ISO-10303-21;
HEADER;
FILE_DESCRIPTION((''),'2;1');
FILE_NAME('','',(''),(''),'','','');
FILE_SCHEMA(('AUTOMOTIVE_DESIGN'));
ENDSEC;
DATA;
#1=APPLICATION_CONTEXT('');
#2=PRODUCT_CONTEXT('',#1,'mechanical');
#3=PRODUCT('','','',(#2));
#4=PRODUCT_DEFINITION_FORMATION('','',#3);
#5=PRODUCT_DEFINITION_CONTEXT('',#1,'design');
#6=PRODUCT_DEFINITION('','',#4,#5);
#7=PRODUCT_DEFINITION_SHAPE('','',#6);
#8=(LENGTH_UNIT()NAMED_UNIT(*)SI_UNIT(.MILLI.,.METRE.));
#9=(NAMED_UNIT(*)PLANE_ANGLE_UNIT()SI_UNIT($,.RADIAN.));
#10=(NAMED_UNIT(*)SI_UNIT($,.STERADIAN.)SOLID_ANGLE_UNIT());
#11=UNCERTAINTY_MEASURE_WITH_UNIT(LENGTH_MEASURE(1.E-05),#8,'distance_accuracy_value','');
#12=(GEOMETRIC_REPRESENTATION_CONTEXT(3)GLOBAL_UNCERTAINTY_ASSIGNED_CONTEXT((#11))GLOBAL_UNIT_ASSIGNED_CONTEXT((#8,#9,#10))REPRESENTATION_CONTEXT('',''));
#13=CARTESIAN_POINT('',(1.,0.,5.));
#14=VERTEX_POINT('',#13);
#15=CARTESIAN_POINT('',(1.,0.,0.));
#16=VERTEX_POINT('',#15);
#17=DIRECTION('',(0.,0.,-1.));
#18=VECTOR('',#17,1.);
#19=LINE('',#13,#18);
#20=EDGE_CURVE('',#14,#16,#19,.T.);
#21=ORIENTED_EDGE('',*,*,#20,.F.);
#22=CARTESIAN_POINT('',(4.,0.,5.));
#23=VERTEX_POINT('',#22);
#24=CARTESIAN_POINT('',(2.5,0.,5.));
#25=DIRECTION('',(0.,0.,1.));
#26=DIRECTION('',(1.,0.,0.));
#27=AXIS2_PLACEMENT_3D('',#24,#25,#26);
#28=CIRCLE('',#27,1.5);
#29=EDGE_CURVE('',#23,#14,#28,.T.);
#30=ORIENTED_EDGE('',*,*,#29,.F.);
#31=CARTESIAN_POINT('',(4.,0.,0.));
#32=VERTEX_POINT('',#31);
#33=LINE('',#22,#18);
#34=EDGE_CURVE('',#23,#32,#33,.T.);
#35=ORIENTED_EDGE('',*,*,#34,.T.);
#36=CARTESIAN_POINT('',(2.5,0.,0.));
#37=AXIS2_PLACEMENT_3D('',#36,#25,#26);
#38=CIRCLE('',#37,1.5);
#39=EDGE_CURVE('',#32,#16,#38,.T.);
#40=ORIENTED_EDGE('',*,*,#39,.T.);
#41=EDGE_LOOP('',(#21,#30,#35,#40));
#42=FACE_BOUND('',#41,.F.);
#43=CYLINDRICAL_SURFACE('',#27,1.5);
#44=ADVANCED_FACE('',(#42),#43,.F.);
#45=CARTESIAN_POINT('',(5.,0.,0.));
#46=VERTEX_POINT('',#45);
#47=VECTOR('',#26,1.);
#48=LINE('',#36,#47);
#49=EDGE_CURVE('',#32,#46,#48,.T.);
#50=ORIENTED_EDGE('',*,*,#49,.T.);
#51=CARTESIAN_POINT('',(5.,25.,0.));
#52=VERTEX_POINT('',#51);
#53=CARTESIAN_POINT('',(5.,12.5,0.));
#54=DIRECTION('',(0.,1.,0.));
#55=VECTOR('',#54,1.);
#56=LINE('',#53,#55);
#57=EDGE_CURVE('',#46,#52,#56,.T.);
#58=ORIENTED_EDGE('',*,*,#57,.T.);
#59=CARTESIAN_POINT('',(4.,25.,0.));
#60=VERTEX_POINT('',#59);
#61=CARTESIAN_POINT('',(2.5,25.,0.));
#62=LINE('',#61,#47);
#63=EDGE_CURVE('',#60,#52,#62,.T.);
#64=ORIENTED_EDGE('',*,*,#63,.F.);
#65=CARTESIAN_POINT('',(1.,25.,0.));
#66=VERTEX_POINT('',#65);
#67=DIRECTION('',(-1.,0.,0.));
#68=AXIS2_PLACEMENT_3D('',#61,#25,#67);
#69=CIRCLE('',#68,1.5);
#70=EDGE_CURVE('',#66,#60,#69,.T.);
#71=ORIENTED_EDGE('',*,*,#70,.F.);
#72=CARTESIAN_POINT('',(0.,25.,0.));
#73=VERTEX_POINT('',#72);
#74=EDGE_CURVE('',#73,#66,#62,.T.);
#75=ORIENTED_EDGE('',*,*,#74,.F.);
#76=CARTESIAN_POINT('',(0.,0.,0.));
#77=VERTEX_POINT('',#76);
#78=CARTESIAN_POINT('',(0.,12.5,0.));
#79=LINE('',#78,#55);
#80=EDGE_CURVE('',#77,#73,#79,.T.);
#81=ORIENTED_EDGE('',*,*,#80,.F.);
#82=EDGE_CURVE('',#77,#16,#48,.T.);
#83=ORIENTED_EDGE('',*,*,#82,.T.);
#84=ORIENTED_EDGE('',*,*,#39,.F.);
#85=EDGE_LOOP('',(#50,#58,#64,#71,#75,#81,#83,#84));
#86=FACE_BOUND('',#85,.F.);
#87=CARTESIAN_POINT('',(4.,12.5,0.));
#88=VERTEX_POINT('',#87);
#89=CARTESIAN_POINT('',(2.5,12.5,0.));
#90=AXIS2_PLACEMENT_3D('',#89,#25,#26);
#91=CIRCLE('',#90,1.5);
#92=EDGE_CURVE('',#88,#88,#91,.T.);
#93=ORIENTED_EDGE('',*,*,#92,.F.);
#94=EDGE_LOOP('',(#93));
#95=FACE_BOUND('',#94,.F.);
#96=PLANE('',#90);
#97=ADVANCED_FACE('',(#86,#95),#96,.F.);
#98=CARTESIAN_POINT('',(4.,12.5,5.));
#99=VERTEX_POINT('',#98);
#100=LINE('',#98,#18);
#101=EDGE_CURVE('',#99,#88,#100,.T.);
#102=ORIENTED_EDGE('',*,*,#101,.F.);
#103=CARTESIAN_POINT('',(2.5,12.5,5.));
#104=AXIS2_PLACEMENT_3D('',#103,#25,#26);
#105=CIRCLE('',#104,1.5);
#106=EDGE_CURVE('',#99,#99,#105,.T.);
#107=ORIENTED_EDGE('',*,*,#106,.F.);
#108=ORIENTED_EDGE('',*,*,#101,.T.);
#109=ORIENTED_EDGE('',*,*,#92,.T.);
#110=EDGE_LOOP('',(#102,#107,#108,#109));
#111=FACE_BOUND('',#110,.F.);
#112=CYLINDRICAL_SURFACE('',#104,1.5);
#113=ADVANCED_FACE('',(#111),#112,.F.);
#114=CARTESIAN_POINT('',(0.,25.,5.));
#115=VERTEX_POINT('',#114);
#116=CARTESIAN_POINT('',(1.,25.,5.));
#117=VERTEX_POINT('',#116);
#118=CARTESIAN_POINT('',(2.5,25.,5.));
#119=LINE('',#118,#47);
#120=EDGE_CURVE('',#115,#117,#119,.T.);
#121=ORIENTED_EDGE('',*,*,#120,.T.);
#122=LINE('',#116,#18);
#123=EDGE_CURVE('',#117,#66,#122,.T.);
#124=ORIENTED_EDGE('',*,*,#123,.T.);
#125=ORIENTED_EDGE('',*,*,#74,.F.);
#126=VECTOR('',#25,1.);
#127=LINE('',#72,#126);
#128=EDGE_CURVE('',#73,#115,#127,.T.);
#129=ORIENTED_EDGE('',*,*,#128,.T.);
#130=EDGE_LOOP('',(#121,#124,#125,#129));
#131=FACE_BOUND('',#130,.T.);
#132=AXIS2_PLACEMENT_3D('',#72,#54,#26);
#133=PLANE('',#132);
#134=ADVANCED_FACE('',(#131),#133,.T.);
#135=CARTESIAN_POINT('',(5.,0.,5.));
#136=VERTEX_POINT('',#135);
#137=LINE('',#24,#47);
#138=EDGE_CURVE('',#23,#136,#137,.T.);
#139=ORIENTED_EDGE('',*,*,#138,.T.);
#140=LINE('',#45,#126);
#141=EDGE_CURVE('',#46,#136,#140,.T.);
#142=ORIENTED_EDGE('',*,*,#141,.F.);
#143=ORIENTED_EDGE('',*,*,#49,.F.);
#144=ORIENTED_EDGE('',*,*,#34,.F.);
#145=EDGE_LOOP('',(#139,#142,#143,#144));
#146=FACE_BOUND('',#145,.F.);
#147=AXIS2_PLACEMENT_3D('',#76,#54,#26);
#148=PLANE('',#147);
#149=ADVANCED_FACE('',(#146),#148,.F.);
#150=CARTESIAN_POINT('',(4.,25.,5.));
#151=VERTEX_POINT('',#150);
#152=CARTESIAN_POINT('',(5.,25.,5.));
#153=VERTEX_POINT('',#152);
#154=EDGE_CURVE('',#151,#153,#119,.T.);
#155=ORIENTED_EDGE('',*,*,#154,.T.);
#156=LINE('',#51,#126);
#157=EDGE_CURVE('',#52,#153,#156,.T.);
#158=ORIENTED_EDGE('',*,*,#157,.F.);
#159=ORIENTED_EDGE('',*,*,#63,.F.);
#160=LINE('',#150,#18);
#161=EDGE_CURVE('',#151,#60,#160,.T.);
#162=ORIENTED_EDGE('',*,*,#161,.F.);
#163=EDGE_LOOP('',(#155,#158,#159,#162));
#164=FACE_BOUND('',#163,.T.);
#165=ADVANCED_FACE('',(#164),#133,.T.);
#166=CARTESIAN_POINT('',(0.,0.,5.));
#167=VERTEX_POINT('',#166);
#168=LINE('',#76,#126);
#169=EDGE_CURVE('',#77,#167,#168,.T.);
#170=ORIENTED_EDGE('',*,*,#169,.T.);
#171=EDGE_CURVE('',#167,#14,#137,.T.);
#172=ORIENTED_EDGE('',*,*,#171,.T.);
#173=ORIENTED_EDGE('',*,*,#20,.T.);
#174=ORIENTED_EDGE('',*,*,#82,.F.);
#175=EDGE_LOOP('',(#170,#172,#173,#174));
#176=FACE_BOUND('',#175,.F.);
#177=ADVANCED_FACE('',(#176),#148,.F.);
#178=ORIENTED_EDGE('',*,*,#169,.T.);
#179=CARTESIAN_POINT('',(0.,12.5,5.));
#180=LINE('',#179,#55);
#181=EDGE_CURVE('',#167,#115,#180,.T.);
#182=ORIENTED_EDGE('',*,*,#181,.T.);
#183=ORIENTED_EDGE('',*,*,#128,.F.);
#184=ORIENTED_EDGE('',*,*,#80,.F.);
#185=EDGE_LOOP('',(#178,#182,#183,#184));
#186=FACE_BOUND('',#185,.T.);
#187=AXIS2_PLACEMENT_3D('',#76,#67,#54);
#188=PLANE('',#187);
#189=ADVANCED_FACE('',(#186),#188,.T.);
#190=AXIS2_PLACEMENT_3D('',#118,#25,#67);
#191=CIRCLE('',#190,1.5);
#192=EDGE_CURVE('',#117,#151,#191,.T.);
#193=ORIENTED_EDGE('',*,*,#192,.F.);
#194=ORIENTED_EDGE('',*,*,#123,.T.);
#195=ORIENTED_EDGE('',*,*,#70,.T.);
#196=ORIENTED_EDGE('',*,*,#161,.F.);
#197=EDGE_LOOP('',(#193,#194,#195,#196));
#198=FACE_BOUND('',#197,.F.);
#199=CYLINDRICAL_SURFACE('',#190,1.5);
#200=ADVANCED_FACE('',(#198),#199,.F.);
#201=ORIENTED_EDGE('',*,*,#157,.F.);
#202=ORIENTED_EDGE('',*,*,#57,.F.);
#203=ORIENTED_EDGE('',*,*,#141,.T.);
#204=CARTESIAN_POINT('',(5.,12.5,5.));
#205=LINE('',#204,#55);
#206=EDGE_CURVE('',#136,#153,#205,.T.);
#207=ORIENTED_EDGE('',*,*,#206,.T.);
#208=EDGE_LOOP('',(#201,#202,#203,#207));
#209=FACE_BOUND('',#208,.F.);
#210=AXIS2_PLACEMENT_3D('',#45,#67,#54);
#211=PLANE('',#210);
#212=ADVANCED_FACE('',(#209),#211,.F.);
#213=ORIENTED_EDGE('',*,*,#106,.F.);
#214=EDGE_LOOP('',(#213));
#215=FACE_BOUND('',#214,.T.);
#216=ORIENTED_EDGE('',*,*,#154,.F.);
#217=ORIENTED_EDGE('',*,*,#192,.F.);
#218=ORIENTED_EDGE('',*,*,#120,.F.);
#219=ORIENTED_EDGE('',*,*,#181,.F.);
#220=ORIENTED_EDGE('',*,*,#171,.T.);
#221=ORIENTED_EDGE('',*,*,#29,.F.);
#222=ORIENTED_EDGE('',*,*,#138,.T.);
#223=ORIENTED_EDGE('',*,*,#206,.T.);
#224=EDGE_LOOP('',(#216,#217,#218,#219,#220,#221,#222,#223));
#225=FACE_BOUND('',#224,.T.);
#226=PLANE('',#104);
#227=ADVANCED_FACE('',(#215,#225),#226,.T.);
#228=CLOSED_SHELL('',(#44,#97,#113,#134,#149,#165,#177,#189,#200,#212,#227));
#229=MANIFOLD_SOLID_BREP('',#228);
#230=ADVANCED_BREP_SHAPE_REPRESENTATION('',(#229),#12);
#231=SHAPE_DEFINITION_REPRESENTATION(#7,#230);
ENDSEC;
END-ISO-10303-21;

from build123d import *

# Parameters (mm, degrees)
F1_W     = 5
F1_H     = 25
F2_DEPTH = 5
F3_R     = 1.5
F4_DEPTH = 5.001


with BuildPart() as f2:
    # F1 (on Top) → F2 (new body)
    with BuildSketch(Plane.XY):
        with Locations((2.5, 12.5)):
            Rectangle(F1_W, F1_H)
    extrude(amount=F2_DEPTH)

    # F3 (on face) → F4 (cut, through all)
    with BuildSketch(Plane.XY.offset(5)):
        with Locations((2.5, 12.5)):
            Circle(F3_R)
        with BuildLine():
            Line((1, 0), (4, 0))
            ThreePointArc((4, 0), (2.5, 1.5), (1, 0))
        make_face()
        with BuildLine():
            ThreePointArc((1, 25), (2.5, 23.5), (4, 25))
            Line((4, 25), (1, 25))
        make_face()
    extrude(amount=-F4_DEPTH, mode=Mode.SUBTRACT)


solid = f2.part
